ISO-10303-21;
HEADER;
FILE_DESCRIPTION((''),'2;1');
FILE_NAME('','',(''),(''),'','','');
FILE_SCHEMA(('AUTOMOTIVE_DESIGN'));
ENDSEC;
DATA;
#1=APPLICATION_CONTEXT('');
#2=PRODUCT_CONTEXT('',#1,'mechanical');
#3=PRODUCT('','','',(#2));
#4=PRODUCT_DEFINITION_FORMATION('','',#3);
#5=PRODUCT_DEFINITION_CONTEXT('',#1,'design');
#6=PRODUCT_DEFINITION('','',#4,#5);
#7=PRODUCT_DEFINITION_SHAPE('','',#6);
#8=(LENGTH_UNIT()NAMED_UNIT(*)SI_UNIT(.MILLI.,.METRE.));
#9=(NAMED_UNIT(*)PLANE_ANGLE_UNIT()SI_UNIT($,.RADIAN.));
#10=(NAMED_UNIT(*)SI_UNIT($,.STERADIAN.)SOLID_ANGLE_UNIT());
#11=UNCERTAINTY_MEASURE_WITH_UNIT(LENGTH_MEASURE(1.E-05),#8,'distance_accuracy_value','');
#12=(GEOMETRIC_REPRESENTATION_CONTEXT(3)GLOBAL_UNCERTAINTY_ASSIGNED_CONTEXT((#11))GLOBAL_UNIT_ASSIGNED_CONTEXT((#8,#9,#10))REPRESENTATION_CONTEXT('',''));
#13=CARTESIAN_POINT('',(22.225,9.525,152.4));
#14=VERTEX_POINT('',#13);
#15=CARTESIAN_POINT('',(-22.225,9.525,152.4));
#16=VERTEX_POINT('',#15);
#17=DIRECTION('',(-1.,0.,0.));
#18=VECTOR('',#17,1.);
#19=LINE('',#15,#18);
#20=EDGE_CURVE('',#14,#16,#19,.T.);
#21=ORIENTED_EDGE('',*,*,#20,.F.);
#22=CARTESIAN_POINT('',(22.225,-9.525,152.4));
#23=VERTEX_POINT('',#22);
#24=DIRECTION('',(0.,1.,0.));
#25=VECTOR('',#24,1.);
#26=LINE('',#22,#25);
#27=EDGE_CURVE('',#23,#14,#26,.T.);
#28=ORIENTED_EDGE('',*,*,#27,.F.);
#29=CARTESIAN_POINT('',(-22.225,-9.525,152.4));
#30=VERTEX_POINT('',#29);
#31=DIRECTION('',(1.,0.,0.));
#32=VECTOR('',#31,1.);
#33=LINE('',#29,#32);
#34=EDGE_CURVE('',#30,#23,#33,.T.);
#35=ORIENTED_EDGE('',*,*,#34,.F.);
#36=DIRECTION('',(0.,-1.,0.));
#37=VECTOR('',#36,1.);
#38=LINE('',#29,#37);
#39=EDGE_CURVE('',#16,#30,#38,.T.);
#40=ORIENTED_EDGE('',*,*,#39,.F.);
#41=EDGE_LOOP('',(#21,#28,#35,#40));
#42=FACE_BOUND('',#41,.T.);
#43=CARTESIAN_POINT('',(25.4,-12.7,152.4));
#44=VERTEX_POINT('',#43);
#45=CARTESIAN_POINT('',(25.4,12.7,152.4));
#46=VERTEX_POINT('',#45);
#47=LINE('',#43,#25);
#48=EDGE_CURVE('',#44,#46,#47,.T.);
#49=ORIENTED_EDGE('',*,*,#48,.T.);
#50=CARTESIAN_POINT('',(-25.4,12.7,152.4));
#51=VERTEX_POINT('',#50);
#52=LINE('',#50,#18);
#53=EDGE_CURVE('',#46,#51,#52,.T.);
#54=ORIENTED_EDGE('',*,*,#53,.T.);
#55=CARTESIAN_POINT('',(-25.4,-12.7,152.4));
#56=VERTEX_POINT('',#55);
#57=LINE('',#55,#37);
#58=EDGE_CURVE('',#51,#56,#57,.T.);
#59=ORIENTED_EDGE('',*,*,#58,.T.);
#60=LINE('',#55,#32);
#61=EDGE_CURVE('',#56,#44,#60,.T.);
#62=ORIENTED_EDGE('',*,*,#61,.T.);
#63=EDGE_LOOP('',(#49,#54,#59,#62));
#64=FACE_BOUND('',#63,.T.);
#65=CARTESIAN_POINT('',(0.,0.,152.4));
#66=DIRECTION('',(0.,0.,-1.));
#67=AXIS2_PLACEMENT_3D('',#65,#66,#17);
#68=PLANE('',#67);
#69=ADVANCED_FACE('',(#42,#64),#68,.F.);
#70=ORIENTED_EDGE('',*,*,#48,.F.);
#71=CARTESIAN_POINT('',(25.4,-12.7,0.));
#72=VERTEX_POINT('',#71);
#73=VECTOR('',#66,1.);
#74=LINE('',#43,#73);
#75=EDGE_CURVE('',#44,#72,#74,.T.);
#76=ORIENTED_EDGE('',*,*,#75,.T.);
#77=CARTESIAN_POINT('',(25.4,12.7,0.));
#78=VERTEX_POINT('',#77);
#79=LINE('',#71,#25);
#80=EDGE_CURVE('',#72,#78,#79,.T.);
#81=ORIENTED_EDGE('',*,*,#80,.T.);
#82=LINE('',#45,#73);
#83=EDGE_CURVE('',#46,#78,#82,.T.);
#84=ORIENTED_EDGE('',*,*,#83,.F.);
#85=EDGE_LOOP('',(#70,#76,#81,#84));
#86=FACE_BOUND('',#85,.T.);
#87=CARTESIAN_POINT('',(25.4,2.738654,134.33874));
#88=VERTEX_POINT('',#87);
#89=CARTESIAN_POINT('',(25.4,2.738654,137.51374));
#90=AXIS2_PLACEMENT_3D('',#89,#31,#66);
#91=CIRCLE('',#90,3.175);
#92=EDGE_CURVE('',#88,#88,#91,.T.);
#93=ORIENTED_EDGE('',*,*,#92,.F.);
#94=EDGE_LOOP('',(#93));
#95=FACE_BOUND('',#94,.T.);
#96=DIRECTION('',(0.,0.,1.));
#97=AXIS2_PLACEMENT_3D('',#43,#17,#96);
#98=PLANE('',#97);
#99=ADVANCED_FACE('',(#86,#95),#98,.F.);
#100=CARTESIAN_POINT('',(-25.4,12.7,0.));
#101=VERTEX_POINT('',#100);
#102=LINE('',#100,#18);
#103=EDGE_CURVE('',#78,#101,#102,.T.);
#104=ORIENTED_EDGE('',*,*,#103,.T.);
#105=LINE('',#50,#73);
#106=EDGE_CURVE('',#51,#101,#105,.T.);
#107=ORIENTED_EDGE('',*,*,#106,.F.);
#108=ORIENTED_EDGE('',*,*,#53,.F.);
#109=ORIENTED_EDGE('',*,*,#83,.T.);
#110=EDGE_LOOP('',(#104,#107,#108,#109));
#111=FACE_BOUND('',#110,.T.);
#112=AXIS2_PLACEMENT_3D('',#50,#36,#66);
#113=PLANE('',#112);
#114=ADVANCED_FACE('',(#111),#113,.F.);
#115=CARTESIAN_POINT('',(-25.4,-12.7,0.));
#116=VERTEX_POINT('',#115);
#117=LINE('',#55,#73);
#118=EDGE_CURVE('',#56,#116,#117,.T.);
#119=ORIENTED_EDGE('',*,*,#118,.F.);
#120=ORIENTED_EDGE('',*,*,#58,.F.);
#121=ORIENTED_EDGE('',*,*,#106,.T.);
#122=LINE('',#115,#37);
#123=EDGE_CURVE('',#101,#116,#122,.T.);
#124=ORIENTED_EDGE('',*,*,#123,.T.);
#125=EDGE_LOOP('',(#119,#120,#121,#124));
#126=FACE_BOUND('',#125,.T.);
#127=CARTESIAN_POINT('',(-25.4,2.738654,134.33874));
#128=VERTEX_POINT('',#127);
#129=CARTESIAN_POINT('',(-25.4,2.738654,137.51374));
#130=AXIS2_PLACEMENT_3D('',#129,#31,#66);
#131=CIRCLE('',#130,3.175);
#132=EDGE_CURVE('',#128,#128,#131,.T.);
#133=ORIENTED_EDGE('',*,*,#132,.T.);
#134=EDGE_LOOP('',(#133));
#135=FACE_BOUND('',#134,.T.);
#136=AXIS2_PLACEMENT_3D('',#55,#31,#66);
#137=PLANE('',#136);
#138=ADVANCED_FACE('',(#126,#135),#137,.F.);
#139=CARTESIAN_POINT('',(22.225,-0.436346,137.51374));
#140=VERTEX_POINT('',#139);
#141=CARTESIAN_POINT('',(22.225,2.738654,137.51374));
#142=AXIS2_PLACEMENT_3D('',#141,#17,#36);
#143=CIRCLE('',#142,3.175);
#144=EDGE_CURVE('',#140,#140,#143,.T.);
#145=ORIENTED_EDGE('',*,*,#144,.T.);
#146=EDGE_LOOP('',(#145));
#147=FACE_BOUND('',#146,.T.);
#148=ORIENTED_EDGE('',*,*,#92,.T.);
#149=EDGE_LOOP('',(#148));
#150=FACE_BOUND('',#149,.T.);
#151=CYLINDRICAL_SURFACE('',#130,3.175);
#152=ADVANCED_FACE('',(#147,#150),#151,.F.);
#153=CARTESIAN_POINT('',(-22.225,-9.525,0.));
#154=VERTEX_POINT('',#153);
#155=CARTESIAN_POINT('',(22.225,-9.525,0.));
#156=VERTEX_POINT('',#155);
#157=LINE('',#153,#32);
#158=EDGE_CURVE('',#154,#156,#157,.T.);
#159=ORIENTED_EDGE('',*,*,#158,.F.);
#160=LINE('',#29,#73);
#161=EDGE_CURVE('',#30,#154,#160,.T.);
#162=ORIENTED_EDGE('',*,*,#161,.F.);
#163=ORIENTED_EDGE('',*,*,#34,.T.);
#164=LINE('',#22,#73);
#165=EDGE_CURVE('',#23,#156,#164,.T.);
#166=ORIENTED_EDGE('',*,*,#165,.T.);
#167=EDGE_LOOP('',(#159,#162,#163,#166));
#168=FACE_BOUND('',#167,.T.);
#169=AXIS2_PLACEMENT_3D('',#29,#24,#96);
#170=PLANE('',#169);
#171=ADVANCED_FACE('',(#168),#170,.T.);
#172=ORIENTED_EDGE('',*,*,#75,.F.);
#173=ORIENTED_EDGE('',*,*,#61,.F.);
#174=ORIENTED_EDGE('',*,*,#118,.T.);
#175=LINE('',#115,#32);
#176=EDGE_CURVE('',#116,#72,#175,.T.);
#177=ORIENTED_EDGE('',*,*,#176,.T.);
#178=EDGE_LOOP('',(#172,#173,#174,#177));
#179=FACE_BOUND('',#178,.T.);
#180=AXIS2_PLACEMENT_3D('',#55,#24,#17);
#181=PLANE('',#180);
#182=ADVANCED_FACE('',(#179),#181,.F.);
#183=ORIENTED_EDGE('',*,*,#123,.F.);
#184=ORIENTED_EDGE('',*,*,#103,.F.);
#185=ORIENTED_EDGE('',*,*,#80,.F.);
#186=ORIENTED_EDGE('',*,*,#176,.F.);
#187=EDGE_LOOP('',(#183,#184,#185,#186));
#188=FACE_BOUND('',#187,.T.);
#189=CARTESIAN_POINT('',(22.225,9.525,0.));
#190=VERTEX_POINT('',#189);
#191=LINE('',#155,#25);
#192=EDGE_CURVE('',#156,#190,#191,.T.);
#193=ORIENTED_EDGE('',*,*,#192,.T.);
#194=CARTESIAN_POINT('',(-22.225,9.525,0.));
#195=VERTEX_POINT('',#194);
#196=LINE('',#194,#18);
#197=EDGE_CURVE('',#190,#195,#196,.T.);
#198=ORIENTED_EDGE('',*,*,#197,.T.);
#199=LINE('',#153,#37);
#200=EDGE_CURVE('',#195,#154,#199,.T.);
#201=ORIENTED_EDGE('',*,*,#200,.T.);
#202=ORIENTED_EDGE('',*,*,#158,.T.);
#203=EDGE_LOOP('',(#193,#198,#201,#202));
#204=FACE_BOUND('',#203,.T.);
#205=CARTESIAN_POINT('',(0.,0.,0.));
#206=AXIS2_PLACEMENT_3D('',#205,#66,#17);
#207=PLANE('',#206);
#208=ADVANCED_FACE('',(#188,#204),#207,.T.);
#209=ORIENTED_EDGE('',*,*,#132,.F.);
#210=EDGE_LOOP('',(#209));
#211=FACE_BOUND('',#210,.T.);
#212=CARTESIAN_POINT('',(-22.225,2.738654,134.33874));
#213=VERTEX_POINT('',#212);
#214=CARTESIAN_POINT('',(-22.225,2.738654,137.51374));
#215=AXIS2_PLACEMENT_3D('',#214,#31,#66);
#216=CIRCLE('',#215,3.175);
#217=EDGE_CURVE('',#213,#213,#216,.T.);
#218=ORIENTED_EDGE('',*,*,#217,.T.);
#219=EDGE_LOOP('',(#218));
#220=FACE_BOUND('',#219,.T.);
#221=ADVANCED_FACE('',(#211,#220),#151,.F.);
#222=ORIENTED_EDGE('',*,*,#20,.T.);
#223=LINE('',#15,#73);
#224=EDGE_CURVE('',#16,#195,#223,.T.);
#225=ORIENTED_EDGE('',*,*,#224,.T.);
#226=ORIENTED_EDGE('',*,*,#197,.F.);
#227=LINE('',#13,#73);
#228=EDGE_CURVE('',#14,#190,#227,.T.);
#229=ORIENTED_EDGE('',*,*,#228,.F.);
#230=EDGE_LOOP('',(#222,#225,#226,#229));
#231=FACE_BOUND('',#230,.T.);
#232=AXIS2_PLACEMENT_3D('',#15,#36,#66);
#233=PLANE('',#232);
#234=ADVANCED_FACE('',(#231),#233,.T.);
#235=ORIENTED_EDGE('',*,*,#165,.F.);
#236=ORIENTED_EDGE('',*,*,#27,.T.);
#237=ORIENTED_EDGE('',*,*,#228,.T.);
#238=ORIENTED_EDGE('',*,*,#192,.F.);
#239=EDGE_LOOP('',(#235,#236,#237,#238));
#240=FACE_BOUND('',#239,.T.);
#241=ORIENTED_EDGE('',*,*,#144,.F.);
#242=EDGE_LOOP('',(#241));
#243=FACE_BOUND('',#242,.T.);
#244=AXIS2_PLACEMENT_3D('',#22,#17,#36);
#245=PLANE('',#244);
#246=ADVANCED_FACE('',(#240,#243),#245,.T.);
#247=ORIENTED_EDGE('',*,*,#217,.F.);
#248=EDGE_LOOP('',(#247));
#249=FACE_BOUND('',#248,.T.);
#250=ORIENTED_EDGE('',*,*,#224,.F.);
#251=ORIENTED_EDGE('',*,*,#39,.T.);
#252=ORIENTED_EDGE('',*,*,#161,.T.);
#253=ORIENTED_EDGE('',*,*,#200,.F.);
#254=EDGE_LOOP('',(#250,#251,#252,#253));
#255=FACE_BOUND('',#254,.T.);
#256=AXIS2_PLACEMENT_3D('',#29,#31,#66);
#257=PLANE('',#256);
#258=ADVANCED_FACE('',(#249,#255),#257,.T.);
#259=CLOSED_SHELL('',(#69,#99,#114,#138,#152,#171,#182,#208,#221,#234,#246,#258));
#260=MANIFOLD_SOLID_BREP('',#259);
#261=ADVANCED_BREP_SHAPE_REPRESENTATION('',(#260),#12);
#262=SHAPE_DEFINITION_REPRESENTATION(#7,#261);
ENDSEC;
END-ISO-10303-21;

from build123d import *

# Parameters (mm, degrees)
SKETCH1_W           = 50.8
SKETCH1_H           = 25.4
SKETCH1_W_2         = 44.45
SKETCH1_H_2         = 19.05
BOSS_EXTRUDE1_DEPTH = 152.4
SKETCH2_R           = 3.175
CUT_EXTRUDE1_DEPTH  = 162.144934764


with BuildPart() as part:
    # Sketch1 → Boss-Extrude1 (new body)
    with BuildSketch(Plane.XY):
        Rectangle(SKETCH1_W, SKETCH1_H)
        Rectangle(SKETCH1_W_2, SKETCH1_H_2, mode=Mode.SUBTRACT)
    extrude(amount=BOSS_EXTRUDE1_DEPTH)

    # Sketch2 → Cut-Extrude1 (cut, through all)
    with BuildSketch(Plane(origin=(25.4, 0, 0), x_dir=(0, 0, -1), z_dir=(1, 0, 0))):
        with Locations((-137.513740162, 2.738654121)):
            Circle(SKETCH2_R)
    extrude(amount=-CUT_EXTRUDE1_DEPTH, mode=Mode.SUBTRACT)


solid = part.part
